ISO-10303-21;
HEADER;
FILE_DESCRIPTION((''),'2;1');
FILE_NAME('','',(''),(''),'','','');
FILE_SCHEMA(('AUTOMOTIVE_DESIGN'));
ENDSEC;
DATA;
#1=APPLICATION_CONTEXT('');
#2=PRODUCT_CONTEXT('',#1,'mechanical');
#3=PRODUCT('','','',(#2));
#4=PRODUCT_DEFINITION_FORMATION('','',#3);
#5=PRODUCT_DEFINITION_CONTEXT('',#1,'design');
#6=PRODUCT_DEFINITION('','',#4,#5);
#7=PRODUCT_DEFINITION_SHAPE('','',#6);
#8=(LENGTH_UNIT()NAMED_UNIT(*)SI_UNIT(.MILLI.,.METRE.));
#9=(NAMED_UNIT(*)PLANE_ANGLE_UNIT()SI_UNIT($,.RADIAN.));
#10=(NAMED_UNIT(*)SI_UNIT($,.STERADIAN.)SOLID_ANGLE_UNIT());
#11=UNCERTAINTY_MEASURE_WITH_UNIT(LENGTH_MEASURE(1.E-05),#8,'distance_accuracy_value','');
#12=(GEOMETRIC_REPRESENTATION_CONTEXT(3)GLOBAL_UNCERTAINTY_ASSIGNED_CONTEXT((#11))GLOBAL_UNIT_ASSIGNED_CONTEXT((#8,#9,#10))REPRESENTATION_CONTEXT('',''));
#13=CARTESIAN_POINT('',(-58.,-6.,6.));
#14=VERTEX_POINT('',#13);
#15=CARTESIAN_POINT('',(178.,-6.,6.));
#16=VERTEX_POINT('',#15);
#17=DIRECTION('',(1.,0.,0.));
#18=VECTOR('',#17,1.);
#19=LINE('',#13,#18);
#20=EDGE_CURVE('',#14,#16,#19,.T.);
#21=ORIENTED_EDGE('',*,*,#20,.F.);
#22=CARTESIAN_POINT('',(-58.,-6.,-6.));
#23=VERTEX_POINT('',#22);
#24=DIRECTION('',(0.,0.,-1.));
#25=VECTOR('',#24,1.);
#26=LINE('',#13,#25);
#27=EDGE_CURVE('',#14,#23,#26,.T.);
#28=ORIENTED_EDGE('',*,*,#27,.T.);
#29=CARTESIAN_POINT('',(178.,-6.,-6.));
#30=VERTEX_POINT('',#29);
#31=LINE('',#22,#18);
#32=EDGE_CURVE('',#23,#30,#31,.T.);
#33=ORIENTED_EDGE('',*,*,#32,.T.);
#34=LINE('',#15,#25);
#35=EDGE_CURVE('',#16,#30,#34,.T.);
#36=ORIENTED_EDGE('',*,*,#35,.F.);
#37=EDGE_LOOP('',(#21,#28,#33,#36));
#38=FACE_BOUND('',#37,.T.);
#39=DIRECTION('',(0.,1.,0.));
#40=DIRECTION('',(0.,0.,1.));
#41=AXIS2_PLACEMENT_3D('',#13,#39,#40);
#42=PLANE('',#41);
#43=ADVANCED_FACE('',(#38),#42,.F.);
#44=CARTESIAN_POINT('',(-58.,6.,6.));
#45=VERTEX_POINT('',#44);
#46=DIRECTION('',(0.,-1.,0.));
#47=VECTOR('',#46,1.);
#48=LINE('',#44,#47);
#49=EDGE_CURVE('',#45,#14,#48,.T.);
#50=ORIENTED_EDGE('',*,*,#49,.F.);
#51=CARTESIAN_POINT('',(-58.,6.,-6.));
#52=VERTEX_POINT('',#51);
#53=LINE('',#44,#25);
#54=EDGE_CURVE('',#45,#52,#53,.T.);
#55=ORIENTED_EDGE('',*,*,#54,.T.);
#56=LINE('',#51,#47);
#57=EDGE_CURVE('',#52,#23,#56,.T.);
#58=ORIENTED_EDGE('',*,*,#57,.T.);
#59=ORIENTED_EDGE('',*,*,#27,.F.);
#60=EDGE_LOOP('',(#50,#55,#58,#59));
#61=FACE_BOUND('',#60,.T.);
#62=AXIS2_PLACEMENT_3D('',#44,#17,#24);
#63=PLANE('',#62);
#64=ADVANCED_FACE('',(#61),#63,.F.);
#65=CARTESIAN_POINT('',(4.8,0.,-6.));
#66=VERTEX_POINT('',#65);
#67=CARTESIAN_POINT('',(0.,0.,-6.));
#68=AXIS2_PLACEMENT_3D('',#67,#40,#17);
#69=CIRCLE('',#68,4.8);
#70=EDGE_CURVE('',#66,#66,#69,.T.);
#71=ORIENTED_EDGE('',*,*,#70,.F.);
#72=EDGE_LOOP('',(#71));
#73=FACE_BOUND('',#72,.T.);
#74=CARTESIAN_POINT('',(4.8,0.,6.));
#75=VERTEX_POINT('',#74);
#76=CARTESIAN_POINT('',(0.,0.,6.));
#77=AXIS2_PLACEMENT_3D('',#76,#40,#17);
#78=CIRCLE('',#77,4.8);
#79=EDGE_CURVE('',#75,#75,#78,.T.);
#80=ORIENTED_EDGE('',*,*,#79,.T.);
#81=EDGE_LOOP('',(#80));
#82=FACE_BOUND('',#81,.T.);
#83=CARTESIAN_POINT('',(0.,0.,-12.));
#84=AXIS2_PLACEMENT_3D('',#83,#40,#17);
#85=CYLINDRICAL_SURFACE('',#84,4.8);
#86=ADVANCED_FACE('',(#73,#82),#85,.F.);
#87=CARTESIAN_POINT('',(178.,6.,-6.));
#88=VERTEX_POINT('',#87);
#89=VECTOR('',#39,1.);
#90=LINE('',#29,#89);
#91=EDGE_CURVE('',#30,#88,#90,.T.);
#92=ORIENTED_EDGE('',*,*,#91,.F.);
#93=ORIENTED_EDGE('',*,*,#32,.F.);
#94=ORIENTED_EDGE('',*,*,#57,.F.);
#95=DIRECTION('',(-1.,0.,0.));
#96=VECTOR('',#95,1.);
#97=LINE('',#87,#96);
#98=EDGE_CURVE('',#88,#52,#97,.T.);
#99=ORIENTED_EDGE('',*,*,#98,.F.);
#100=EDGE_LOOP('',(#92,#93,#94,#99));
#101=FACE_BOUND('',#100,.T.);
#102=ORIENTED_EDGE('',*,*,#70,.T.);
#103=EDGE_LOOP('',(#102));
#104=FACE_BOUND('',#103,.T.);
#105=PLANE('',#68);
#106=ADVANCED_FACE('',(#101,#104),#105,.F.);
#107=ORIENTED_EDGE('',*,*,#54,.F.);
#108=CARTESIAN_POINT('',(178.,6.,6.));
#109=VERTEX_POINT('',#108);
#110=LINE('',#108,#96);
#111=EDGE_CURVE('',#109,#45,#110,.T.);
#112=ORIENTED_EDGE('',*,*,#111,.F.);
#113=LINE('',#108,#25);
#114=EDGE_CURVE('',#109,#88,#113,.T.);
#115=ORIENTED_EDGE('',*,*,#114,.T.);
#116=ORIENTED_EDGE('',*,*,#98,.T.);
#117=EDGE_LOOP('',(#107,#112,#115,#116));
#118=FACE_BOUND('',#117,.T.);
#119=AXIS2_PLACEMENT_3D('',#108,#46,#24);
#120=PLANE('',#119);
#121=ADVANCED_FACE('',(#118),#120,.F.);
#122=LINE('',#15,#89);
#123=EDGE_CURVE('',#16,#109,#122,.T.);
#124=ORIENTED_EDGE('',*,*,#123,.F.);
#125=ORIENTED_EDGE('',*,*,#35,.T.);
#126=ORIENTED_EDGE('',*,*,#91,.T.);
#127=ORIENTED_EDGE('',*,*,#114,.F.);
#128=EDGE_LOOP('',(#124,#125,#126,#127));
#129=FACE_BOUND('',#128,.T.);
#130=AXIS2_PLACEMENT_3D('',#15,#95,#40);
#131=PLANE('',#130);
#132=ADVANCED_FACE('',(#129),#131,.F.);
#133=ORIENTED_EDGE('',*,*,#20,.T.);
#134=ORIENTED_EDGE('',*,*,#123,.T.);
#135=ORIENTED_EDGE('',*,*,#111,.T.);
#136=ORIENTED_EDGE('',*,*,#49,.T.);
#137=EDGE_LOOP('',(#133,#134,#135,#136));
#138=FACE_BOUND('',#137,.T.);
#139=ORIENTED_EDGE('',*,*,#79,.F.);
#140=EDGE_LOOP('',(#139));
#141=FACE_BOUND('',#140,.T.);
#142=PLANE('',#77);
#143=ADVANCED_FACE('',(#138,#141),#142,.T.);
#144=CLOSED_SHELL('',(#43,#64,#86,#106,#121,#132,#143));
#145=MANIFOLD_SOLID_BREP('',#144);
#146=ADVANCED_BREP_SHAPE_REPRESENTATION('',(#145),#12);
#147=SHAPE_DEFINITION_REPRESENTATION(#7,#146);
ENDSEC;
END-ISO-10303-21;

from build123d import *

# Parameters (mm, degrees)
SKETCH1_W           = 236
SKETCH1_H           = 12
BOSS_EXTRUDE1_DEPTH = 6
SKETCH2_R           = 4.8
CUT_EXTRUDE1_DEPTH  = 12


with BuildPart() as part:
    # Sketch1 → Boss-Extrude1 (new, symmetric)
    with BuildSketch(Plane.XY):
        with Locations((60, 0)):
            Rectangle(SKETCH1_W, SKETCH1_H)
    extrude(amount=BOSS_EXTRUDE1_DEPTH, both=True)

    # Sketch2 → Cut-Extrude1 (cut, symmetric)
    with BuildSketch(Plane.XY):
        Circle(SKETCH2_R)
    extrude(amount=CUT_EXTRUDE1_DEPTH, both=True, mode=Mode.SUBTRACT)


solid = part.part
